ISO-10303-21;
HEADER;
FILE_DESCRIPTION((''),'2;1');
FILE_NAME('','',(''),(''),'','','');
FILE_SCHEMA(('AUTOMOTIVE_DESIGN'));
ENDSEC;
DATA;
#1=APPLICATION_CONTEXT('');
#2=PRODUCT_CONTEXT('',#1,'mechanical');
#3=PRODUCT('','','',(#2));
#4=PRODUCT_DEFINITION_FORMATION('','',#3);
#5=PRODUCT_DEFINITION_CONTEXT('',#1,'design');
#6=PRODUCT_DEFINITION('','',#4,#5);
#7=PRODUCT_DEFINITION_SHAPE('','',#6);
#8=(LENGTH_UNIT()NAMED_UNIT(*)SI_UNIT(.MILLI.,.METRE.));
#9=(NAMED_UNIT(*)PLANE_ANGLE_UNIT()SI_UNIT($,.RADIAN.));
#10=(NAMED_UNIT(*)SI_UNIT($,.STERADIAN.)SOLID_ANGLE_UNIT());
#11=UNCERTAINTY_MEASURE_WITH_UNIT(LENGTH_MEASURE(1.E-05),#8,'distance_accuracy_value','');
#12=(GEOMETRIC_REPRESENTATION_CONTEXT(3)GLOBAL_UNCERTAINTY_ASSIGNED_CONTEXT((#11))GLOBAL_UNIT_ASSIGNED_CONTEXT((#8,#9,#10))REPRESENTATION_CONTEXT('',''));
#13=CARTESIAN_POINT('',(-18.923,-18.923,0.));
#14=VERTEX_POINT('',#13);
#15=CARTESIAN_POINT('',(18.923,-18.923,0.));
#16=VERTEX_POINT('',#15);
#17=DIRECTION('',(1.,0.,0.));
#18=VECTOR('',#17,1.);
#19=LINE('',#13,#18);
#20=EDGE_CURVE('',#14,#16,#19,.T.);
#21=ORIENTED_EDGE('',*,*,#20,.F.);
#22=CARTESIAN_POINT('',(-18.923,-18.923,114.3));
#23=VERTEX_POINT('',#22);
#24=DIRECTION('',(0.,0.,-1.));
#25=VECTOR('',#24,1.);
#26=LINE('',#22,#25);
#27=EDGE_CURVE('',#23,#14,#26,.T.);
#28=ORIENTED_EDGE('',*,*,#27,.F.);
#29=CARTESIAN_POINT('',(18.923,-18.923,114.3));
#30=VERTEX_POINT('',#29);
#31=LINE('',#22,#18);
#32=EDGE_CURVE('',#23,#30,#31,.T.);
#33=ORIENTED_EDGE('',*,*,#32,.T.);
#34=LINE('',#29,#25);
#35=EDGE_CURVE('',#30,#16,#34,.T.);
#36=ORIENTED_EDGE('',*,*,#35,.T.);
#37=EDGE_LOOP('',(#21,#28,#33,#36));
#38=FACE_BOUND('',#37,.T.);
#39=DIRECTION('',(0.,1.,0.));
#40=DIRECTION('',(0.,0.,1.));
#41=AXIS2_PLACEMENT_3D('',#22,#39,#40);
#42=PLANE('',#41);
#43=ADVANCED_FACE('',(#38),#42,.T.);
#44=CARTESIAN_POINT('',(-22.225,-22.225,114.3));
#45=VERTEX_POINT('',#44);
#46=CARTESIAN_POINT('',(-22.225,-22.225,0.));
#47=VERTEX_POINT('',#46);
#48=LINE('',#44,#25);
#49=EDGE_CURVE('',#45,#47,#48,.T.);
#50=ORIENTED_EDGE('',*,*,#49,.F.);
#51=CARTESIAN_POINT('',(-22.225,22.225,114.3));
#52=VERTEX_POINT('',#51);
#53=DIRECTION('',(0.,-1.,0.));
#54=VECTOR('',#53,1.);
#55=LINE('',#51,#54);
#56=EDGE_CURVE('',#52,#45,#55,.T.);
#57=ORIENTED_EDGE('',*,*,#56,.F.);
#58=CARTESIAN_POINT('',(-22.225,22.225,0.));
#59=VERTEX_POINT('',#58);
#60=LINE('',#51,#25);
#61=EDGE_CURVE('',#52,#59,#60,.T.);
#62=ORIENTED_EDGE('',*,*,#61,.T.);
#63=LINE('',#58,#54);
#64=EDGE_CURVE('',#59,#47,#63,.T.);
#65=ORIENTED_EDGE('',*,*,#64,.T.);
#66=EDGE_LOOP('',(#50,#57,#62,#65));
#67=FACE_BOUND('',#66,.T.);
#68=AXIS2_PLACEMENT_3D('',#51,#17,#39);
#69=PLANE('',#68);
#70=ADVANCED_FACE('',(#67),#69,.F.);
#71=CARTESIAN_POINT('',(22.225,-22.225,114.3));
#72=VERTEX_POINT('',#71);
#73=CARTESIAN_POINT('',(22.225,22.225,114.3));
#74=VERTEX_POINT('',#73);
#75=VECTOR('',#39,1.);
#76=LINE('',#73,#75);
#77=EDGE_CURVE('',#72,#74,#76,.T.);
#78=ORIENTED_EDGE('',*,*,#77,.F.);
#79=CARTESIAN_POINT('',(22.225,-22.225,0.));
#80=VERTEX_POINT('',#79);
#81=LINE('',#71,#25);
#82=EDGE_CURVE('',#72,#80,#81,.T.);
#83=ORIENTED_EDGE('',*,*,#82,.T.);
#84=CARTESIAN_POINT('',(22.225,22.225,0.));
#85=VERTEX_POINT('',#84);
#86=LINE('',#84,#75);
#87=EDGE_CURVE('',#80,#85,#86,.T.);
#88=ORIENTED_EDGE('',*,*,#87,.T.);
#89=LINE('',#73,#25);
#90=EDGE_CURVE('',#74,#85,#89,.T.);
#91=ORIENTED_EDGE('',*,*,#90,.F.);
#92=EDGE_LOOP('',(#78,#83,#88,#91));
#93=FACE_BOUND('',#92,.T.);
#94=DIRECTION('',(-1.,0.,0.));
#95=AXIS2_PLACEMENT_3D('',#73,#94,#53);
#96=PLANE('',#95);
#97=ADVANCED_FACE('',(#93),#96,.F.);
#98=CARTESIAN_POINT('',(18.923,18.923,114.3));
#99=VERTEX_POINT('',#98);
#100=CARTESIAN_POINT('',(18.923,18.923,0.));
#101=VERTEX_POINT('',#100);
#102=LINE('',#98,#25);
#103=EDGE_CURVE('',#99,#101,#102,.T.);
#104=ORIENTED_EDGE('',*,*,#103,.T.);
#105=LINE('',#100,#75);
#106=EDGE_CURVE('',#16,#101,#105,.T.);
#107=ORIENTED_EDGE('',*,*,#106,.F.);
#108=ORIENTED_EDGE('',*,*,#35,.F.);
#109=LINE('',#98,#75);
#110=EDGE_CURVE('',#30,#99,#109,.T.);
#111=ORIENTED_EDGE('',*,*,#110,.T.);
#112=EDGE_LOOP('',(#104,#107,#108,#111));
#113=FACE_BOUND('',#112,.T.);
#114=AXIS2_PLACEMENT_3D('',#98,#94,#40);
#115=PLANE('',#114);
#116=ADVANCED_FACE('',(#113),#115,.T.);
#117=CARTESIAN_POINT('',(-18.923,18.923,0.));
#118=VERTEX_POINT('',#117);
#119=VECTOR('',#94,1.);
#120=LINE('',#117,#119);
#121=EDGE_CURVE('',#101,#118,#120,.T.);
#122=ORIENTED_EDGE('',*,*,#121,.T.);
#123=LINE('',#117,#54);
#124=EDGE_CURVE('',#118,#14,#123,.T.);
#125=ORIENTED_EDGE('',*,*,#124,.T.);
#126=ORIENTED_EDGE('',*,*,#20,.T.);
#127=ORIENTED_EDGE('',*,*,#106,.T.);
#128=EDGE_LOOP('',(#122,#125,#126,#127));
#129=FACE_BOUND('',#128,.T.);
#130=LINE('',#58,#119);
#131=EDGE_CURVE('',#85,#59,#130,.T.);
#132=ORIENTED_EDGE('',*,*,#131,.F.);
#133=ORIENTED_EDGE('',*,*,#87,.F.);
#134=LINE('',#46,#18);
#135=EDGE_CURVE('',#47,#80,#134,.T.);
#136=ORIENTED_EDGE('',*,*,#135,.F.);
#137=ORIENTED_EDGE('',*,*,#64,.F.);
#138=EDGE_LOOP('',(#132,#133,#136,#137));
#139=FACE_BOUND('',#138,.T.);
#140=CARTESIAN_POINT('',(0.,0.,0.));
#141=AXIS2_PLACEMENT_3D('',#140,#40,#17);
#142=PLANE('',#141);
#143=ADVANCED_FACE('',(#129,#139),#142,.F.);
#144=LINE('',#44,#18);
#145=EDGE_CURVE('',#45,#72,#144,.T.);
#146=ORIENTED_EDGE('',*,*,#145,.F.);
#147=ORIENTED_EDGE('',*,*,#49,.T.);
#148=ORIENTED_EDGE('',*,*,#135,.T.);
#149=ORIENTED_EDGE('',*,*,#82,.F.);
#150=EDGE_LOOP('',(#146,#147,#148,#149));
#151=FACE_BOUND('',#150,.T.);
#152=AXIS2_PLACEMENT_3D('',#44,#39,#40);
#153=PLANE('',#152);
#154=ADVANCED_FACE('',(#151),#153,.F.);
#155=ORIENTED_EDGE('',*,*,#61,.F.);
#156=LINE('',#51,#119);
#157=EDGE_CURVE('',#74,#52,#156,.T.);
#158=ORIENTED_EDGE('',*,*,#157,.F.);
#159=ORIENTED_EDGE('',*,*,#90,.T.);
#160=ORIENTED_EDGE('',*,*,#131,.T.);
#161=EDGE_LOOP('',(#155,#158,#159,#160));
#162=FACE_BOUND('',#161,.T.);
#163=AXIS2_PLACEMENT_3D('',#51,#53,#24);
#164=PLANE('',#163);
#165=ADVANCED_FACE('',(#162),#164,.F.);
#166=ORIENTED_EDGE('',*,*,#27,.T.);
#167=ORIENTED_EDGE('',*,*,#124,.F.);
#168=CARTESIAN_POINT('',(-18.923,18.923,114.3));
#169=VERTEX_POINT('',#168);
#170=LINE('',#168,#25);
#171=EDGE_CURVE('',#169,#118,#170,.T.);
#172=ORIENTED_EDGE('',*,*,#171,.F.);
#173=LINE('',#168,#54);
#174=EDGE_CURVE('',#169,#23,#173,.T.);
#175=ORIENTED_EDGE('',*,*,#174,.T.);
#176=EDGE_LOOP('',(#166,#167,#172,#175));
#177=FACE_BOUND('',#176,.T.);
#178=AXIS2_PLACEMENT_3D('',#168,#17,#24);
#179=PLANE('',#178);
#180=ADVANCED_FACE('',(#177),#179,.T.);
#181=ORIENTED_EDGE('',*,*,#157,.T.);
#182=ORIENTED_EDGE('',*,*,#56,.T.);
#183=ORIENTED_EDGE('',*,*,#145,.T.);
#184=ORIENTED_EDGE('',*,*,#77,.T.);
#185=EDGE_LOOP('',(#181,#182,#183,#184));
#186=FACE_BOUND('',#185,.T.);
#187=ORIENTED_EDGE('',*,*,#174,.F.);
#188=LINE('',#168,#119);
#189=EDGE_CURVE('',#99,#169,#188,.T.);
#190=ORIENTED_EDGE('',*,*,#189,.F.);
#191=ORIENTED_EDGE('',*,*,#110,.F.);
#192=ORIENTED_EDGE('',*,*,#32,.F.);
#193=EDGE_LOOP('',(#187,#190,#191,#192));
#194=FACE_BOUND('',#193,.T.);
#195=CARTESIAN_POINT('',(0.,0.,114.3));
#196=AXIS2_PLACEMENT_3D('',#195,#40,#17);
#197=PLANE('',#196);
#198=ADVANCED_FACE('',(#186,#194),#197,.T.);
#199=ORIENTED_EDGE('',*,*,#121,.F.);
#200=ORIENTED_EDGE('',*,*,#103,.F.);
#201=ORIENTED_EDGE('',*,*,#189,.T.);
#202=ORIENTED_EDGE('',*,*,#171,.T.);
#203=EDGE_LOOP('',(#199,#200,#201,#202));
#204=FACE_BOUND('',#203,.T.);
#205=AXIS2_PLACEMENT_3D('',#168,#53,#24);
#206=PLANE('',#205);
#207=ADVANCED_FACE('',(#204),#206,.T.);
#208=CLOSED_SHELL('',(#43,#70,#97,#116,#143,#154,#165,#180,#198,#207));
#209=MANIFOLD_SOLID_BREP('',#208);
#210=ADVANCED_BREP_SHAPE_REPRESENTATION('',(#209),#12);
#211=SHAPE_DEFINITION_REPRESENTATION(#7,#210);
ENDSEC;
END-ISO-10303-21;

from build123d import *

# Parameters (mm, degrees)
SKETCH1_W           = 44.45
SKETCH1_H           = 44.45
SKETCH1_W_2         = 37.846
SKETCH1_H_2         = 37.846
BOSS_EXTRUDE1_DEPTH = 114.3


with BuildPart() as part:
    # Sketch1 → Boss-Extrude1 (new body)
    with BuildSketch(Plane.XY):
        Rectangle(SKETCH1_W, SKETCH1_H)
        Rectangle(SKETCH1_W_2, SKETCH1_H_2, mode=Mode.SUBTRACT)
    extrude(amount=BOSS_EXTRUDE1_DEPTH)


solid = part.part
